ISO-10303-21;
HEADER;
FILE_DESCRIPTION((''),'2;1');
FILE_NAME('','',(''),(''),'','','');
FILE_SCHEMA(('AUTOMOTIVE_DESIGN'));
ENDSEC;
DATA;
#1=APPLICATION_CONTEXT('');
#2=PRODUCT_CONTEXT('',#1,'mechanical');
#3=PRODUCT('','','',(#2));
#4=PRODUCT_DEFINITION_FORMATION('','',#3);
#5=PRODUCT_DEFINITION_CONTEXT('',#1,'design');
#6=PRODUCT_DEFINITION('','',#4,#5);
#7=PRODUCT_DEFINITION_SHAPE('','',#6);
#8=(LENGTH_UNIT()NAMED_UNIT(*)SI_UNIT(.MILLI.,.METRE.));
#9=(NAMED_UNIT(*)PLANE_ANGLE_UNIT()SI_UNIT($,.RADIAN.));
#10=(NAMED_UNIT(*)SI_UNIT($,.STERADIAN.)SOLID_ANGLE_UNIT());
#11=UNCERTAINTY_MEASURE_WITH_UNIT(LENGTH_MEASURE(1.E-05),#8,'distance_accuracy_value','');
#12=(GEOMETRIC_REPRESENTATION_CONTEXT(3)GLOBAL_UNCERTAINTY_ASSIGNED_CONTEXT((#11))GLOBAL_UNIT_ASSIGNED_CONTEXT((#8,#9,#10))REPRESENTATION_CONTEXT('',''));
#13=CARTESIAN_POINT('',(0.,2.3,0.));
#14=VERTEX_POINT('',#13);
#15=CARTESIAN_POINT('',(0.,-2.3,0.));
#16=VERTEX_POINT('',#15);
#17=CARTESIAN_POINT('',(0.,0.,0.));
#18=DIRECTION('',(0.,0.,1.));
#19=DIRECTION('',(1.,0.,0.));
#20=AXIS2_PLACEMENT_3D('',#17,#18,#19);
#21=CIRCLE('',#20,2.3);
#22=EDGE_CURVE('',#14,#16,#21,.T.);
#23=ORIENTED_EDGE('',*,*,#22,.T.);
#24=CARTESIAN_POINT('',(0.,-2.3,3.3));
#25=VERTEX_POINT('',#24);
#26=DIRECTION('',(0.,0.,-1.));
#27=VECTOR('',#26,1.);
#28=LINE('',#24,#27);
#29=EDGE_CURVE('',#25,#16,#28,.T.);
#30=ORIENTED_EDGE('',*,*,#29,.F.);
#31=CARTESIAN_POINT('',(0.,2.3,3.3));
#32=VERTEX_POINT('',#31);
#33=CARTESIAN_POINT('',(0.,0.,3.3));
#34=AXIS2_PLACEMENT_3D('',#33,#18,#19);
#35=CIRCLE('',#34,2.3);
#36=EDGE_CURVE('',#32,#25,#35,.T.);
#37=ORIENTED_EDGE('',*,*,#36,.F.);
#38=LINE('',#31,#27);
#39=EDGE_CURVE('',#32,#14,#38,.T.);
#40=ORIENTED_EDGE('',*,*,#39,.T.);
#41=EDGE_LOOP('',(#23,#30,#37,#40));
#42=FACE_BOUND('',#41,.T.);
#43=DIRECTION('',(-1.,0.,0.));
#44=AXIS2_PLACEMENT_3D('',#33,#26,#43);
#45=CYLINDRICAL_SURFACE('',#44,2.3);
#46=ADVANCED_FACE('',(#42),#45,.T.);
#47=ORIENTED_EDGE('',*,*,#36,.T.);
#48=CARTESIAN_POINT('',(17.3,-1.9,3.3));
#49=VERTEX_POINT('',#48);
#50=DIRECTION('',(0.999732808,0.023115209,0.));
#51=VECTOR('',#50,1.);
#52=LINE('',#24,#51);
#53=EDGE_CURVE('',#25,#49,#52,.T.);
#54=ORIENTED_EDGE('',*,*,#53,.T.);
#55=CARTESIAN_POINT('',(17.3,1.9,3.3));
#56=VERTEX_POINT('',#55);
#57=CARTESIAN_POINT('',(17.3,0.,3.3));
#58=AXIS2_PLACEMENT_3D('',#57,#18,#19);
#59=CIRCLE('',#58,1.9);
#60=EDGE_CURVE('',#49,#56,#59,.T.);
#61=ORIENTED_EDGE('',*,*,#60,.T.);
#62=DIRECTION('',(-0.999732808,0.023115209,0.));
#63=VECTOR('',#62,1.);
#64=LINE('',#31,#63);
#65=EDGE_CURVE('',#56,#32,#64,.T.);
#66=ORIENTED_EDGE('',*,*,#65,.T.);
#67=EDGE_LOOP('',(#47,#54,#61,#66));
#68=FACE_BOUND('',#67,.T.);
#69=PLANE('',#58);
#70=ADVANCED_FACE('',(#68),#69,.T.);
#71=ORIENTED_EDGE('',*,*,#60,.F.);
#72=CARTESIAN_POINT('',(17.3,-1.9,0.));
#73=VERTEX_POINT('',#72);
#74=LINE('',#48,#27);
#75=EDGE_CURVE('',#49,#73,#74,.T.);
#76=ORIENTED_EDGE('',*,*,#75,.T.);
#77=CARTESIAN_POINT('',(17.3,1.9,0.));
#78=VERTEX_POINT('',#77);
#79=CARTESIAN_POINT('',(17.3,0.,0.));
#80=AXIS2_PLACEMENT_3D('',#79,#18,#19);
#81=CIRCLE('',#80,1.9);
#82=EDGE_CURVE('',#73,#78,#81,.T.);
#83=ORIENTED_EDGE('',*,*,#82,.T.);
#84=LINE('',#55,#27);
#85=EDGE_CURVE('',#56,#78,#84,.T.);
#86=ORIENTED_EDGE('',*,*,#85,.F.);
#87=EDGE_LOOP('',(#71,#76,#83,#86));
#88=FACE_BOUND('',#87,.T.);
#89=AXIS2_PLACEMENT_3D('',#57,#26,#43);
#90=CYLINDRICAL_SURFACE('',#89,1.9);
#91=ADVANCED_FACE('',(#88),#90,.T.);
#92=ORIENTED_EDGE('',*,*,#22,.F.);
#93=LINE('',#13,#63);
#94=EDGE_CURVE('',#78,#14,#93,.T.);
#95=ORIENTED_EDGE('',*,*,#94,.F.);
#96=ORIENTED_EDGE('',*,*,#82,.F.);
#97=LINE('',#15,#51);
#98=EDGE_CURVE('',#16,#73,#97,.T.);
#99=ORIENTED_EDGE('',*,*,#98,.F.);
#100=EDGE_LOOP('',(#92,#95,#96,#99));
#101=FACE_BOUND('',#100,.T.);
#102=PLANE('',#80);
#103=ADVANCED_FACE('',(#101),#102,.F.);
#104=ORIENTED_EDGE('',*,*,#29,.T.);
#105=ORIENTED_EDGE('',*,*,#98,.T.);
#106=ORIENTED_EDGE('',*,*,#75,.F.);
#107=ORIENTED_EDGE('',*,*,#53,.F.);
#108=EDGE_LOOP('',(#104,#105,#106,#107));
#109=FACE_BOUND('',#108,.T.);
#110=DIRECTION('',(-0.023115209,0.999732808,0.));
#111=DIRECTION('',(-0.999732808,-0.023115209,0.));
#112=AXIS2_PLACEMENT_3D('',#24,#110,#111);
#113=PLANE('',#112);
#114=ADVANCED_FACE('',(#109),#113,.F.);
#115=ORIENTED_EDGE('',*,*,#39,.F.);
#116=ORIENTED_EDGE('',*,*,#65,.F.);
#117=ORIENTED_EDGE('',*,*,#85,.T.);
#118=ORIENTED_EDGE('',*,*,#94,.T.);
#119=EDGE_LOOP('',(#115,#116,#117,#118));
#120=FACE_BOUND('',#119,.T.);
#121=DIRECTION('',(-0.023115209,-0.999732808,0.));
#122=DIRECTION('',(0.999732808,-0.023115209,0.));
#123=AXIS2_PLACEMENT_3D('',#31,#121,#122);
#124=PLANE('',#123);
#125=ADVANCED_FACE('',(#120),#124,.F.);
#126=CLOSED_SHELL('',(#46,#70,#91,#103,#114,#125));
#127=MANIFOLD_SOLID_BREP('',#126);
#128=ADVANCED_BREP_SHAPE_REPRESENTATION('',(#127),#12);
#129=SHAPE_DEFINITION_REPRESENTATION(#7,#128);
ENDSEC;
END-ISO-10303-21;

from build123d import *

# Parameters (mm, degrees)
BOSS_EXTRUDE2_DEPTH = 3.3


with BuildPart() as part:
    # Sketch1 → Boss-Extrude2 (new body)
    with BuildSketch(Plane.XY):
        with BuildLine():
            Line((0, 2.3), (17.3, 1.9))
            ThreePointArc((17.3, 1.9), (19.2, 0), (17.3, -1.9))
            Line((17.3, -1.9), (0, -2.3))
            ThreePointArc((0, -2.3), (-2.3, 0), (0, 2.3))
        make_face()
    extrude(amount=BOSS_EXTRUDE2_DEPTH)


solid = part.part
